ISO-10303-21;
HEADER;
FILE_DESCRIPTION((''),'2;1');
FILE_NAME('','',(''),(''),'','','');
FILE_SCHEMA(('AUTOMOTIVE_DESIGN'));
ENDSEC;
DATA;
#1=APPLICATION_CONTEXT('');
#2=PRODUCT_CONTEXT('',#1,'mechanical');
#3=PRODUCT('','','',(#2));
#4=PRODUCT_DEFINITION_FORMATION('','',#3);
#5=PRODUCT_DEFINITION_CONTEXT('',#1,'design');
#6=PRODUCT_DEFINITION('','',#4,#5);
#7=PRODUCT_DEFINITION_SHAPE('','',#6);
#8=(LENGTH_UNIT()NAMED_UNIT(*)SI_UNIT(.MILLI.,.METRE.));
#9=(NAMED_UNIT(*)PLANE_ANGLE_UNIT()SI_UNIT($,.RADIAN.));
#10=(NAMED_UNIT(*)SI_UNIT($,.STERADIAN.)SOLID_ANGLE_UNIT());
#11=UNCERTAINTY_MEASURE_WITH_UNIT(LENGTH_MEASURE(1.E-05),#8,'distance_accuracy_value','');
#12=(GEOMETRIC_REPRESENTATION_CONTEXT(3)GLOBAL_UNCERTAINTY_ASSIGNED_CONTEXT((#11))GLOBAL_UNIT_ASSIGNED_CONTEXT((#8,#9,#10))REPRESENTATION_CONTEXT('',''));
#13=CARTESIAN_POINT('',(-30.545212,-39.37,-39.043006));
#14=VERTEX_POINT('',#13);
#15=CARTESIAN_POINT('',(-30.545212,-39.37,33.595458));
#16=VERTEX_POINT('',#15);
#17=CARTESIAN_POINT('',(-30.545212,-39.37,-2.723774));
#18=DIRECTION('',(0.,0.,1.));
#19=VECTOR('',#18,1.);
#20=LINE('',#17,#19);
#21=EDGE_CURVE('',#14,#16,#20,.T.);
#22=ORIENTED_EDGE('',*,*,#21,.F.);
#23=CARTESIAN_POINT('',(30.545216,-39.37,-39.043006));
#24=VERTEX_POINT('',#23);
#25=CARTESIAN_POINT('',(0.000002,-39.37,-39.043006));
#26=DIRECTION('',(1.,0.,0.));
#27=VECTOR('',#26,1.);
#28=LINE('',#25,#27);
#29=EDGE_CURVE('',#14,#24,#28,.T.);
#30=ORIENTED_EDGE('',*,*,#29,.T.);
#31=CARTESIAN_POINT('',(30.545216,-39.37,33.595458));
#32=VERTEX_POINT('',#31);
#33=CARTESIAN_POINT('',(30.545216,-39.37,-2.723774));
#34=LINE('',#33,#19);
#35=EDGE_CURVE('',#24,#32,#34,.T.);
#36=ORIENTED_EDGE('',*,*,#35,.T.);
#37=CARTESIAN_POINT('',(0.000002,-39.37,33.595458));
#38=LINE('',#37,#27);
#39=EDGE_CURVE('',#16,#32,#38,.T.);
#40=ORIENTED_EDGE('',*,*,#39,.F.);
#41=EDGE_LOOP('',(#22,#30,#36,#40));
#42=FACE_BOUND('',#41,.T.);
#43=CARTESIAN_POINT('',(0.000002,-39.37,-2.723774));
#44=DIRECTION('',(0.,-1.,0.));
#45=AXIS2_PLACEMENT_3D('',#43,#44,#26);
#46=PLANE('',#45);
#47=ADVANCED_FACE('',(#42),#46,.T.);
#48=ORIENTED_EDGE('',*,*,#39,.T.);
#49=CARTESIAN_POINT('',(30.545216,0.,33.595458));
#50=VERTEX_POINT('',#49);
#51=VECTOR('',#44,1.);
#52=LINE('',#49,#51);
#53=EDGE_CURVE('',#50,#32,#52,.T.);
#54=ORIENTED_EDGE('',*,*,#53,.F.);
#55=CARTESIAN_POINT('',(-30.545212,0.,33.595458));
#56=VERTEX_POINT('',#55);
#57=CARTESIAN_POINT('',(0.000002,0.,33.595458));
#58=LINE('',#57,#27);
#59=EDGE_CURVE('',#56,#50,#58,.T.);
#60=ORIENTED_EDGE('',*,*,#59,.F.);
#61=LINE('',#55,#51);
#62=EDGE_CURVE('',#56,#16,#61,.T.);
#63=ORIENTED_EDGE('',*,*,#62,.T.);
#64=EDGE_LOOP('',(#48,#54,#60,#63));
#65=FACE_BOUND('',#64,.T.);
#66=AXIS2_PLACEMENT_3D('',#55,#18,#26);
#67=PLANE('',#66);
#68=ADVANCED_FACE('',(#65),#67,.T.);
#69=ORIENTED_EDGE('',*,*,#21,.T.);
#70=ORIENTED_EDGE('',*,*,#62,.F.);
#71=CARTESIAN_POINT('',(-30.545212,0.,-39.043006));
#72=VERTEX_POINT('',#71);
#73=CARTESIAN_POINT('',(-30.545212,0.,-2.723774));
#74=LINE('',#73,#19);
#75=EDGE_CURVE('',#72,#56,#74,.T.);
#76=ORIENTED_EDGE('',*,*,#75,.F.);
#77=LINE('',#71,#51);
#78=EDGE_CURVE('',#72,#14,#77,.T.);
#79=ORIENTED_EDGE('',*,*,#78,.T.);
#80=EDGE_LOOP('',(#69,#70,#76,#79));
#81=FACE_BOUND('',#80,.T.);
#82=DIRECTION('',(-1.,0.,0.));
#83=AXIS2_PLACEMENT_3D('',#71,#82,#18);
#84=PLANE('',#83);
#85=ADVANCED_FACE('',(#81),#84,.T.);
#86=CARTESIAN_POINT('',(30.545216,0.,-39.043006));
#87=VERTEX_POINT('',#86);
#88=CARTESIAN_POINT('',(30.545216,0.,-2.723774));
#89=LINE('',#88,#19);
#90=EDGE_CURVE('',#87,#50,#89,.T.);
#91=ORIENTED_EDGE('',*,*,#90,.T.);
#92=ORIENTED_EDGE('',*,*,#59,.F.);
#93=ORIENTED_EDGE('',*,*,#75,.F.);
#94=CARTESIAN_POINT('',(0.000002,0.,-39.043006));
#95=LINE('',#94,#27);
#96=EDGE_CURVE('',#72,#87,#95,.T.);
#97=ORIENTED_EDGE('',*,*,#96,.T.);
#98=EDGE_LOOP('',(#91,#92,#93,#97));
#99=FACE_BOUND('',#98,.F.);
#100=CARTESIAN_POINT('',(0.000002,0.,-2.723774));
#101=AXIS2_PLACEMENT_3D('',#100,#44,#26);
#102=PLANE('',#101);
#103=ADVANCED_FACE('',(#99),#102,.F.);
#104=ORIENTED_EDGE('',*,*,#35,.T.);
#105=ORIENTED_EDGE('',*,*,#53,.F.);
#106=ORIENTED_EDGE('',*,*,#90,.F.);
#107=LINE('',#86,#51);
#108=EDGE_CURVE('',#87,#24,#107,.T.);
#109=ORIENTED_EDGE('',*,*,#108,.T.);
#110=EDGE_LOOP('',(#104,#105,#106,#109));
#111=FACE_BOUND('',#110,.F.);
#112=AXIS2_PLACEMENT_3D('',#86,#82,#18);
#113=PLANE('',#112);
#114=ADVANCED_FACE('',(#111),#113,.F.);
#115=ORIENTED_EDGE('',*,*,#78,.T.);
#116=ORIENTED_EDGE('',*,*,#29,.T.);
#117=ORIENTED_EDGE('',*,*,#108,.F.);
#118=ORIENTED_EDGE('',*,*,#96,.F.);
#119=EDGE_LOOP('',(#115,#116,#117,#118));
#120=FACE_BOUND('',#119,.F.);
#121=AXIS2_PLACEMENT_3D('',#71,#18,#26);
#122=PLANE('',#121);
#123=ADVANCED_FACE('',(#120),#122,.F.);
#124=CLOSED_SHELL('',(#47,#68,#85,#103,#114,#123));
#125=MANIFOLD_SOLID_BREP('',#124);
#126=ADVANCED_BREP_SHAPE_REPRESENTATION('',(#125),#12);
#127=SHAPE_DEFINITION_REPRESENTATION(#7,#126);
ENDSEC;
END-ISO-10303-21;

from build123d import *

# Parameters (mm, degrees)
F0_W     = 61.090428
F0_H     = 72.638464
F1_DEPTH = 39.37


with BuildPart() as f1:
    # F0 (on Front) → F1 (new body)
    with BuildSketch(Plane.XZ):
        with Locations((2e-06, -2.723774)):
            Rectangle(F0_W, F0_H)
    extrude(amount=F1_DEPTH)


solid = f1.part
